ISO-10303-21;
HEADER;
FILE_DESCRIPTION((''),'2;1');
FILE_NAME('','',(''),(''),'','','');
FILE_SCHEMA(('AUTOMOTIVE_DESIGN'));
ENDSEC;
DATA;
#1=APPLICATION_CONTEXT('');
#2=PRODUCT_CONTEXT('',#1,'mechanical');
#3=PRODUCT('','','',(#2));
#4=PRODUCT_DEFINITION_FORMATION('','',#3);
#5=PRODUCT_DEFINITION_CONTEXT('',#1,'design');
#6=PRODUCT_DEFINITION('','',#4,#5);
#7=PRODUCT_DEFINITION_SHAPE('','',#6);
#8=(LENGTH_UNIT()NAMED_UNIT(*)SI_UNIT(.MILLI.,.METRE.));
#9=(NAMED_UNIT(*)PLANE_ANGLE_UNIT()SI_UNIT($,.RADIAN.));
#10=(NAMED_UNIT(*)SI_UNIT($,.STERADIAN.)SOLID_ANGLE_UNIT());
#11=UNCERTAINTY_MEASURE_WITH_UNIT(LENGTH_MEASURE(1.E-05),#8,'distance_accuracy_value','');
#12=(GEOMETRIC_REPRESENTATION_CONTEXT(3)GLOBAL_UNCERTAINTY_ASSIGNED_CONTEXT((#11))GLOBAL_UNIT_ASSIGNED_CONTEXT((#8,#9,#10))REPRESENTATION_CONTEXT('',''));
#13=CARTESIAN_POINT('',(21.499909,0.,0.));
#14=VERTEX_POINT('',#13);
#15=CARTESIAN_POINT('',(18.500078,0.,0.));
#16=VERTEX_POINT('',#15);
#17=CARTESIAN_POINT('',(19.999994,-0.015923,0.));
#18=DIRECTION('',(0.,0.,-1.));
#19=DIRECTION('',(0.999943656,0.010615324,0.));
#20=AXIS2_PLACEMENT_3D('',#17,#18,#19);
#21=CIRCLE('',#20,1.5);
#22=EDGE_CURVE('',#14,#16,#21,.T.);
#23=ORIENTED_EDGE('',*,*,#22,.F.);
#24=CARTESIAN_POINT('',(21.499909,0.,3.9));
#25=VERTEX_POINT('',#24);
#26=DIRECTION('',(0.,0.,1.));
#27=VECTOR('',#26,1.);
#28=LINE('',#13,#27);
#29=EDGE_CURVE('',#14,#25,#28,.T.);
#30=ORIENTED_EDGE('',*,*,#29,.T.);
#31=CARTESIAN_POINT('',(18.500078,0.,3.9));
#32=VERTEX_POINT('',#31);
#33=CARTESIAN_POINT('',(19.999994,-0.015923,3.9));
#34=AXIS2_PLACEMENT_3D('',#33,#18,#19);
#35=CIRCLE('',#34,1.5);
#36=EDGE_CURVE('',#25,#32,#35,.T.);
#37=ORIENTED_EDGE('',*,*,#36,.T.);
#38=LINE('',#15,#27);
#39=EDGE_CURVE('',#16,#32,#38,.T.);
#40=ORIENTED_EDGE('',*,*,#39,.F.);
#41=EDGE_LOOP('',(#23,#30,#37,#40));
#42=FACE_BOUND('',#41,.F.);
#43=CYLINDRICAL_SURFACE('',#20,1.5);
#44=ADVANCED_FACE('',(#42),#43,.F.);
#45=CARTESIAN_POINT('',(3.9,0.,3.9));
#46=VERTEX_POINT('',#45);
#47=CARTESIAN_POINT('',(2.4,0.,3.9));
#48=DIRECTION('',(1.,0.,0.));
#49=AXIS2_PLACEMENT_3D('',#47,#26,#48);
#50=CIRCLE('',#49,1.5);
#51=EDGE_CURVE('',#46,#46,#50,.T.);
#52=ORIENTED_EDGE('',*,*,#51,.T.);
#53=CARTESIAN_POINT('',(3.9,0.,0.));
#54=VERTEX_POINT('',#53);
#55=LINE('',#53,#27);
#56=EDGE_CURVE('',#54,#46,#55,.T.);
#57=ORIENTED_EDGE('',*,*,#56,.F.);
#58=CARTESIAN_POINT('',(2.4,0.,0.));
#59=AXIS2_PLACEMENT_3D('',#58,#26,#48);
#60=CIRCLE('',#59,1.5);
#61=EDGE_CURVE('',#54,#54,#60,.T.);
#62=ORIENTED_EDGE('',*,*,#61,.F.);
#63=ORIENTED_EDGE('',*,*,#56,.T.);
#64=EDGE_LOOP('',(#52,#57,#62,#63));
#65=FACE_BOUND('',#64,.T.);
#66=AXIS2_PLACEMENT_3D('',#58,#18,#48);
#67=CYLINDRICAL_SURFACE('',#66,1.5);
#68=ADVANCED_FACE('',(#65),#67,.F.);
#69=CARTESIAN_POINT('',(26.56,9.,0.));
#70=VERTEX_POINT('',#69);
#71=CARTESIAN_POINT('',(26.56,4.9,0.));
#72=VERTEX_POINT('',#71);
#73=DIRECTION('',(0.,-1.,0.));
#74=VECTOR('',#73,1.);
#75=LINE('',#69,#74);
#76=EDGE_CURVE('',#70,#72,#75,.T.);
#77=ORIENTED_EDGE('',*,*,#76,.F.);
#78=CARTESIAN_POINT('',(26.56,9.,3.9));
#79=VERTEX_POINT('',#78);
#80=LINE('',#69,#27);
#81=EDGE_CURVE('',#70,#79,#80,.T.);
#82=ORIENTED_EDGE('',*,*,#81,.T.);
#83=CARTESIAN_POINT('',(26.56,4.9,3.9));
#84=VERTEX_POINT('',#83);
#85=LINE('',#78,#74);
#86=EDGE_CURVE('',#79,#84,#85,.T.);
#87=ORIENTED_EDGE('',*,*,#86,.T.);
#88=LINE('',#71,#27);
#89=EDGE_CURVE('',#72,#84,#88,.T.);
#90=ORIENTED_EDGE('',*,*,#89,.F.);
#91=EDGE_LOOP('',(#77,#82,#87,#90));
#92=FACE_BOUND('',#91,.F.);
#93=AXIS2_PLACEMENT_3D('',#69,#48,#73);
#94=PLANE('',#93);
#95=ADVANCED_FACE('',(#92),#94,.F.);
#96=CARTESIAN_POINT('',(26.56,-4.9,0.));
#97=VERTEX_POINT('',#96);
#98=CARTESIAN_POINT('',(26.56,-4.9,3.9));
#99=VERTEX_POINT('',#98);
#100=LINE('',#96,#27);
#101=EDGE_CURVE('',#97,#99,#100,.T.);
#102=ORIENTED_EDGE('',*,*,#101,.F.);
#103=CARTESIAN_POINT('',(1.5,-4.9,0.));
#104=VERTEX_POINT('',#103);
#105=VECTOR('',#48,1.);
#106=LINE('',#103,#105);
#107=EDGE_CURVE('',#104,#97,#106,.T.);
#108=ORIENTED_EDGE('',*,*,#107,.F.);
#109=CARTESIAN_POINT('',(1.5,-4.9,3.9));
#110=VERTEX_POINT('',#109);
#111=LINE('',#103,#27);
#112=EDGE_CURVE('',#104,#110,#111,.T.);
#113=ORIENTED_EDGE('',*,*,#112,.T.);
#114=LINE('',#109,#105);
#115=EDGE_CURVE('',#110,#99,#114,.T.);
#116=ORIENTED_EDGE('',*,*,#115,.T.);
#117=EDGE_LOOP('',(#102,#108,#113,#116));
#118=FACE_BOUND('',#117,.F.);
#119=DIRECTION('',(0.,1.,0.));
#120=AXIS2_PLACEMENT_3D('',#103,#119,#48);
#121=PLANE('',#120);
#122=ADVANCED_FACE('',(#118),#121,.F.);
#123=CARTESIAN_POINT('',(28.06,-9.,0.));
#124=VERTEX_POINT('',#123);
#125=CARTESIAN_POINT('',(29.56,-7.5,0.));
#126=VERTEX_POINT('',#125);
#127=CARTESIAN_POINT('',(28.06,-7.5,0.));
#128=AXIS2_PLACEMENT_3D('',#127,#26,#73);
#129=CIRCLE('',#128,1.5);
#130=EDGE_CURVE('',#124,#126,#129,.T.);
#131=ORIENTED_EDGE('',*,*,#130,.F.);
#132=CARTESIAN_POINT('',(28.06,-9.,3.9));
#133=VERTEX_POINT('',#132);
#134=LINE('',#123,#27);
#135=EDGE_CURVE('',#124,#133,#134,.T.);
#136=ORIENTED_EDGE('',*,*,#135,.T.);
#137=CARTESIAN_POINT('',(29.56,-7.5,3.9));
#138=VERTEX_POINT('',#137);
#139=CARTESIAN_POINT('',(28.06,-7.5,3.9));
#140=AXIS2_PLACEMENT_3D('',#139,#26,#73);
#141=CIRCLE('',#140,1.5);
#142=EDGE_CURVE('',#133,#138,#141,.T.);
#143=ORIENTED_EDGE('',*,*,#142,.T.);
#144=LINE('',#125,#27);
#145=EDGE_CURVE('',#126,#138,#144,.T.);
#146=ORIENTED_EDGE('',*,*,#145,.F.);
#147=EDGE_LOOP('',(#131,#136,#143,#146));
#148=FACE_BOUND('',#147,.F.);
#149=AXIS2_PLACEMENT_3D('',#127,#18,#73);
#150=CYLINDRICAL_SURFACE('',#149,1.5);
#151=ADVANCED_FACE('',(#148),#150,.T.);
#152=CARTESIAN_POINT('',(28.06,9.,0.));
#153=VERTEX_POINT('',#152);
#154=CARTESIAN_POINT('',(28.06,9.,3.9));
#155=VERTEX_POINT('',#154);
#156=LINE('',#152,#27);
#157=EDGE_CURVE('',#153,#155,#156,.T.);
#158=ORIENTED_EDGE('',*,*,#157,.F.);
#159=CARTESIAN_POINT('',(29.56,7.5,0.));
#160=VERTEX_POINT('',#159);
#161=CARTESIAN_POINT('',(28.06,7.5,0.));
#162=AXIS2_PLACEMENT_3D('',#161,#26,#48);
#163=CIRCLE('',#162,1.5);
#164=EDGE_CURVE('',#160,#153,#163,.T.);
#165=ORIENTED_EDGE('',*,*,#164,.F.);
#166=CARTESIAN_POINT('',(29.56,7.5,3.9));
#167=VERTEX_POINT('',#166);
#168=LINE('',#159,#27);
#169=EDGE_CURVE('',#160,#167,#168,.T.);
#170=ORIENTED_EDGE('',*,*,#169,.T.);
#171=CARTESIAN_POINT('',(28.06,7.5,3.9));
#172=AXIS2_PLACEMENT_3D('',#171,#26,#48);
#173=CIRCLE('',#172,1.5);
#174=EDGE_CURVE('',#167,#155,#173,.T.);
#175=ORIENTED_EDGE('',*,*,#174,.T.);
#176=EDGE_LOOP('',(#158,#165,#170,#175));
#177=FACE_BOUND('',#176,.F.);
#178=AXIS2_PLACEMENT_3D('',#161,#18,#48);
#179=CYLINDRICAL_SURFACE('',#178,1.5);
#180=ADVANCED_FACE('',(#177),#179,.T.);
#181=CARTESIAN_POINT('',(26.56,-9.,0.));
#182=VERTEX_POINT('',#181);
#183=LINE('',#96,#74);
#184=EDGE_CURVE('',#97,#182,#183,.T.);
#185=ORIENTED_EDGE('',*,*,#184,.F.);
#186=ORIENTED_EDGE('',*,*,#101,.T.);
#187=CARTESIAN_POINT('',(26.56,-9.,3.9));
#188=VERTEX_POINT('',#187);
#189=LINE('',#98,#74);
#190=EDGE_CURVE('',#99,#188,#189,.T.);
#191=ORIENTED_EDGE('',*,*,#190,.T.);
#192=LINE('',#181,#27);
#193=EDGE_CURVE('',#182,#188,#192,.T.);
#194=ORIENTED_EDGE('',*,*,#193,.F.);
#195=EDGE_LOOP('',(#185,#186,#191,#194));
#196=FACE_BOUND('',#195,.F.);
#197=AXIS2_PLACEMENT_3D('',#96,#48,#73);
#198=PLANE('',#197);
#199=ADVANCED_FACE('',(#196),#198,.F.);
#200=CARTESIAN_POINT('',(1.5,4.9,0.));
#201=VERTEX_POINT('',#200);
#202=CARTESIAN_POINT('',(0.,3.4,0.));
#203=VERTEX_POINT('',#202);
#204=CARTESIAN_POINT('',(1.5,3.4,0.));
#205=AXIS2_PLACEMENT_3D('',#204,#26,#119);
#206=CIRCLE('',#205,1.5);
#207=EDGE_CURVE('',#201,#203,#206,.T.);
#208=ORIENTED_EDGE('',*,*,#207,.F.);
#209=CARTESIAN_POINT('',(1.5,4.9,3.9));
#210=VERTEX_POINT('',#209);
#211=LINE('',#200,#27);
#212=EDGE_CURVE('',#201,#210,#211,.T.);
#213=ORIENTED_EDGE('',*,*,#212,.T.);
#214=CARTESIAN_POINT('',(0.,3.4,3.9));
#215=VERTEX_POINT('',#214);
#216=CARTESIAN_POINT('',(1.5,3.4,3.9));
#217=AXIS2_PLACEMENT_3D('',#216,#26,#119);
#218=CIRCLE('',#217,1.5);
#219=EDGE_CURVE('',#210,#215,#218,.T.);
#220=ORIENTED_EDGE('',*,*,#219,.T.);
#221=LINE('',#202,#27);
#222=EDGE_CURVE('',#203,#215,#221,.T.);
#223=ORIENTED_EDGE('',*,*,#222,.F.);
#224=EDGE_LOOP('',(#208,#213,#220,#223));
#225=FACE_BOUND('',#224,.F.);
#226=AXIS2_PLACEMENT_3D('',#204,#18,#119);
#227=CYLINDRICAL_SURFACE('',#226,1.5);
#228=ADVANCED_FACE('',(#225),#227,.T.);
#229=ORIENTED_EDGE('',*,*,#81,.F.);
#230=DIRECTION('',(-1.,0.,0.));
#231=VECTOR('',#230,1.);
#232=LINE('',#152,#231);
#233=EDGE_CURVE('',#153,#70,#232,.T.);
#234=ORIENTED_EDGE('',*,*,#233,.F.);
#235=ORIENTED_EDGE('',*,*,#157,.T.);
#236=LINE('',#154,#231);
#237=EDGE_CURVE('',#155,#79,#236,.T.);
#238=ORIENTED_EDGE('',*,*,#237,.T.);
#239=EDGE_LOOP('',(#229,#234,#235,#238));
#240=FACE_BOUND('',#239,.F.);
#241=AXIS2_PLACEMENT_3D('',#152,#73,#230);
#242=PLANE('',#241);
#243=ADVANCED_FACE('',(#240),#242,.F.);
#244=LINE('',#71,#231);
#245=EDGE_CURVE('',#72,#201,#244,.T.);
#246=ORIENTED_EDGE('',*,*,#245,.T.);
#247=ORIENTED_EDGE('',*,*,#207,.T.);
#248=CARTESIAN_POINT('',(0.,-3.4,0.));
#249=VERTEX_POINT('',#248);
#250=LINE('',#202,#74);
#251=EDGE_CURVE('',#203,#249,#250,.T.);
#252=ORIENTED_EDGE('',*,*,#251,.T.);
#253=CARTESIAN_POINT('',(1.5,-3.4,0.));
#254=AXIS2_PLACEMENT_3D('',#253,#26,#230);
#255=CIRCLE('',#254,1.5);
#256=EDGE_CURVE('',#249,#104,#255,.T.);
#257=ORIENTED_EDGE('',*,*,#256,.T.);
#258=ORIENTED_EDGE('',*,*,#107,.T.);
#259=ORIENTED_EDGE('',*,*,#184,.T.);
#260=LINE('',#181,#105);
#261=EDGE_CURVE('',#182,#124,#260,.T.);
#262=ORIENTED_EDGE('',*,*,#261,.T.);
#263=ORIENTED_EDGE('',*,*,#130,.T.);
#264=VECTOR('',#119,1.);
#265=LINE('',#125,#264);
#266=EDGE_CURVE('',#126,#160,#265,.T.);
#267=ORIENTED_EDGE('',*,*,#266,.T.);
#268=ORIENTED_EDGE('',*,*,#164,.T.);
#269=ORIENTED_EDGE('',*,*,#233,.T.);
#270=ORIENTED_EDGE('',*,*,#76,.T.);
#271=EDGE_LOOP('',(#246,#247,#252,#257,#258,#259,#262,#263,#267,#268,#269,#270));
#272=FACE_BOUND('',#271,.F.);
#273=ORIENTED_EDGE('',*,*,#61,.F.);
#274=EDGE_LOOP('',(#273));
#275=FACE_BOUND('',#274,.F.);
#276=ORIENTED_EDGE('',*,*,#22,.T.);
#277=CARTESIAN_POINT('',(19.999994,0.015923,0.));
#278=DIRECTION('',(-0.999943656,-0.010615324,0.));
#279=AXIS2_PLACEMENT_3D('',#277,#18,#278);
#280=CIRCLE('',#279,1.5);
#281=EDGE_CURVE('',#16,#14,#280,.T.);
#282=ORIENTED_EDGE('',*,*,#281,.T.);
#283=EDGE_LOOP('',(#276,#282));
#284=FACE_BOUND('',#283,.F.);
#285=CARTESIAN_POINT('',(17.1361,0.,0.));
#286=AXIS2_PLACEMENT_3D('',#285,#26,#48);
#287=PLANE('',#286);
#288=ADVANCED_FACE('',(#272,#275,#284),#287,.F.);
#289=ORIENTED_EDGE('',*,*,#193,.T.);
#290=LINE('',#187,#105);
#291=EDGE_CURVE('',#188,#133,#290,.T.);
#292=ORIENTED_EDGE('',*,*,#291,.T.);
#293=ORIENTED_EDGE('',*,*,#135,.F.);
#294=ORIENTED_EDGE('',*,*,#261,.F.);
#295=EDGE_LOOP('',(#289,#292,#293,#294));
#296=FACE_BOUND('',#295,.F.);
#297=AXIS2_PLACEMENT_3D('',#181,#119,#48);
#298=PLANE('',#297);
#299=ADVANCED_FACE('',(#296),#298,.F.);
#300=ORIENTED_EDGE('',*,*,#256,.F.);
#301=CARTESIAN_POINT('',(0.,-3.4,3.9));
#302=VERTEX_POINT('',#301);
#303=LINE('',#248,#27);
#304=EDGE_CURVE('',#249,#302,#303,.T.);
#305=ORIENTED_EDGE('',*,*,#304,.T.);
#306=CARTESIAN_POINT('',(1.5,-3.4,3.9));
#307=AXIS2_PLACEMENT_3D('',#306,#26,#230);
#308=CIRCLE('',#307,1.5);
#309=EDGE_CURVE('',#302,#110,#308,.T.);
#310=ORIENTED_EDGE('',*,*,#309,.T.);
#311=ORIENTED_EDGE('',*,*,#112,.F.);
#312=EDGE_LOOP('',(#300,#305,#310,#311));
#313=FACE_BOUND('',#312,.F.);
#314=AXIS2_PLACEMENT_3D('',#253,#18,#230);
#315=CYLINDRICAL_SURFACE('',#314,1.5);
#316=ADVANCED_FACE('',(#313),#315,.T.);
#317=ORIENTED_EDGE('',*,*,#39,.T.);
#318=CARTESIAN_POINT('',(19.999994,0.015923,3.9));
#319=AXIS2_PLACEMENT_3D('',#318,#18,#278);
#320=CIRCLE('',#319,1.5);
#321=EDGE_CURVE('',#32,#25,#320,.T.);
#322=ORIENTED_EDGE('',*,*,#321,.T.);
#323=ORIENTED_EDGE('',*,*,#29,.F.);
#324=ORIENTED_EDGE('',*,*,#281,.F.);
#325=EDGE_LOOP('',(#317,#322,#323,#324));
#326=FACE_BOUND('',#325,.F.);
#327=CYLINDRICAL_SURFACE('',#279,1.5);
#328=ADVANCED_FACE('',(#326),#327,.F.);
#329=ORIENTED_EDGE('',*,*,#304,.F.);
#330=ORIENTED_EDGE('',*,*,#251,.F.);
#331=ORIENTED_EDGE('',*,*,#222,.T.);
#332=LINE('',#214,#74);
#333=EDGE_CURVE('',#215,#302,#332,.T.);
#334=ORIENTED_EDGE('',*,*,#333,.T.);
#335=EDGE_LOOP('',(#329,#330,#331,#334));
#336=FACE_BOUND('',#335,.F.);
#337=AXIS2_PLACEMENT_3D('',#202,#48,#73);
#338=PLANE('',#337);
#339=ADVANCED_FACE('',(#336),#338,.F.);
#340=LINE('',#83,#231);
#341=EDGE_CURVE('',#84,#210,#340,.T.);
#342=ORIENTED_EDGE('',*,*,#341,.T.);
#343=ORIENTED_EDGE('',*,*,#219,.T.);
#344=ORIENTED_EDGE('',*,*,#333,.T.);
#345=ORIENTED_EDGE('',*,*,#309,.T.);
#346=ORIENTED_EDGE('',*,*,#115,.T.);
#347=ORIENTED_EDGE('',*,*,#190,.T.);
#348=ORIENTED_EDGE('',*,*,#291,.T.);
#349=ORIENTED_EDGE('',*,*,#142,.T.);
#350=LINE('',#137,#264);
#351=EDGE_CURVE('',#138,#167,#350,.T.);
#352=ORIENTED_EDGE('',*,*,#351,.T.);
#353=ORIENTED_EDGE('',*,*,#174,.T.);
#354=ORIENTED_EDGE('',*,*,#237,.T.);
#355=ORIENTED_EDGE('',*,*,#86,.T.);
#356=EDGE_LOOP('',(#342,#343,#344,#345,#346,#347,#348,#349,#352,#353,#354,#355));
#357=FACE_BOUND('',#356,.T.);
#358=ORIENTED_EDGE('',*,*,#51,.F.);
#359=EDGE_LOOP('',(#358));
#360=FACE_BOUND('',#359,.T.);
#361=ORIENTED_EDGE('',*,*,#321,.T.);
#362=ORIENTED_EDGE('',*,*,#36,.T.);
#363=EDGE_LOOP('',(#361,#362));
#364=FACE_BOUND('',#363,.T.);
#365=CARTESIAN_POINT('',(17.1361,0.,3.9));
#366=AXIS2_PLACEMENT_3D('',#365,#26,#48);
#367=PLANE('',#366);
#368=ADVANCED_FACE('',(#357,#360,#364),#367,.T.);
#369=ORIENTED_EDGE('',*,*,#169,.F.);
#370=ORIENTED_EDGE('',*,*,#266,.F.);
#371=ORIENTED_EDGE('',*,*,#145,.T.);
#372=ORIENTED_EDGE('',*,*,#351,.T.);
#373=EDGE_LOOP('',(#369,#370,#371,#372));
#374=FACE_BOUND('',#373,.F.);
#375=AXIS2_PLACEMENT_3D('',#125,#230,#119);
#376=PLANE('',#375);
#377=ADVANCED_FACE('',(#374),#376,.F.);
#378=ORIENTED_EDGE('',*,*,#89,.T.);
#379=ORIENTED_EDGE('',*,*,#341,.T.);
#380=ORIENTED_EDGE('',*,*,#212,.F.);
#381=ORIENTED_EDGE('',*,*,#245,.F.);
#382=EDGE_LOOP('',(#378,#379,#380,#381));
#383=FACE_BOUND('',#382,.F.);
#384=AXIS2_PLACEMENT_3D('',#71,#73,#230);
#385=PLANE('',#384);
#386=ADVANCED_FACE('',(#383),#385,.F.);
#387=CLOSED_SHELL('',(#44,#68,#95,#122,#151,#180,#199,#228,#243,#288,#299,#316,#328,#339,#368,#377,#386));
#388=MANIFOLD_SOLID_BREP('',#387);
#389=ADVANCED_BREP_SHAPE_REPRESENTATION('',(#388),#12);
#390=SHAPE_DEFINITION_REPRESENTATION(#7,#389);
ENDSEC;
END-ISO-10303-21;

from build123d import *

# Parameters (mm, degrees)
F0_R     = 1.5
F1_DEPTH = 3.9


with BuildPart() as f1:
    # F0 (on Top) → F1 (new body)
    with BuildSketch(Plane.XY):
        with BuildLine():
            Line((0, 3.4), (0, 0))
            Line((0, 0), (0, -3.4))
            ThreePointArc((0, -3.4), (0.4393398282, -4.4606601718), (1.5, -4.9))
            Line((1.5, -4.9), (26.56, -4.9))
            Line((26.56, -4.9), (26.56, -9))
            Line((26.56, -9), (28.06, -9))
            ThreePointArc((28.06, -9), (29.1206601718, -8.5606601718), (29.56, -7.5))
            Line((29.56, -7.5), (29.56, 0))
            Line((29.56, 0), (29.56, 7.5))
            ThreePointArc((29.56, 7.5), (29.1206601718, 8.5606601718), (28.06, 9))
            Line((28.06, 9), (26.56, 9))
            Line((26.56, 9), (26.56, 4.9))
            Line((26.56, 4.9), (1.5, 4.9))
            ThreePointArc((1.5, 4.9), (0.4393398282, 4.4606601718), (0, 3.4))
        make_face()
        with Locations((19.9999936615, -0.015922986)):
            Circle(F0_R, mode=Mode.SUBTRACT)
        with Locations((2.4, 0)):
            Circle(F0_R, mode=Mode.SUBTRACT)
        with Locations((19.9999936615, 0.015922986)):
            Circle(F0_R, mode=Mode.SUBTRACT)
    extrude(amount=F1_DEPTH)


solid = f1.part
